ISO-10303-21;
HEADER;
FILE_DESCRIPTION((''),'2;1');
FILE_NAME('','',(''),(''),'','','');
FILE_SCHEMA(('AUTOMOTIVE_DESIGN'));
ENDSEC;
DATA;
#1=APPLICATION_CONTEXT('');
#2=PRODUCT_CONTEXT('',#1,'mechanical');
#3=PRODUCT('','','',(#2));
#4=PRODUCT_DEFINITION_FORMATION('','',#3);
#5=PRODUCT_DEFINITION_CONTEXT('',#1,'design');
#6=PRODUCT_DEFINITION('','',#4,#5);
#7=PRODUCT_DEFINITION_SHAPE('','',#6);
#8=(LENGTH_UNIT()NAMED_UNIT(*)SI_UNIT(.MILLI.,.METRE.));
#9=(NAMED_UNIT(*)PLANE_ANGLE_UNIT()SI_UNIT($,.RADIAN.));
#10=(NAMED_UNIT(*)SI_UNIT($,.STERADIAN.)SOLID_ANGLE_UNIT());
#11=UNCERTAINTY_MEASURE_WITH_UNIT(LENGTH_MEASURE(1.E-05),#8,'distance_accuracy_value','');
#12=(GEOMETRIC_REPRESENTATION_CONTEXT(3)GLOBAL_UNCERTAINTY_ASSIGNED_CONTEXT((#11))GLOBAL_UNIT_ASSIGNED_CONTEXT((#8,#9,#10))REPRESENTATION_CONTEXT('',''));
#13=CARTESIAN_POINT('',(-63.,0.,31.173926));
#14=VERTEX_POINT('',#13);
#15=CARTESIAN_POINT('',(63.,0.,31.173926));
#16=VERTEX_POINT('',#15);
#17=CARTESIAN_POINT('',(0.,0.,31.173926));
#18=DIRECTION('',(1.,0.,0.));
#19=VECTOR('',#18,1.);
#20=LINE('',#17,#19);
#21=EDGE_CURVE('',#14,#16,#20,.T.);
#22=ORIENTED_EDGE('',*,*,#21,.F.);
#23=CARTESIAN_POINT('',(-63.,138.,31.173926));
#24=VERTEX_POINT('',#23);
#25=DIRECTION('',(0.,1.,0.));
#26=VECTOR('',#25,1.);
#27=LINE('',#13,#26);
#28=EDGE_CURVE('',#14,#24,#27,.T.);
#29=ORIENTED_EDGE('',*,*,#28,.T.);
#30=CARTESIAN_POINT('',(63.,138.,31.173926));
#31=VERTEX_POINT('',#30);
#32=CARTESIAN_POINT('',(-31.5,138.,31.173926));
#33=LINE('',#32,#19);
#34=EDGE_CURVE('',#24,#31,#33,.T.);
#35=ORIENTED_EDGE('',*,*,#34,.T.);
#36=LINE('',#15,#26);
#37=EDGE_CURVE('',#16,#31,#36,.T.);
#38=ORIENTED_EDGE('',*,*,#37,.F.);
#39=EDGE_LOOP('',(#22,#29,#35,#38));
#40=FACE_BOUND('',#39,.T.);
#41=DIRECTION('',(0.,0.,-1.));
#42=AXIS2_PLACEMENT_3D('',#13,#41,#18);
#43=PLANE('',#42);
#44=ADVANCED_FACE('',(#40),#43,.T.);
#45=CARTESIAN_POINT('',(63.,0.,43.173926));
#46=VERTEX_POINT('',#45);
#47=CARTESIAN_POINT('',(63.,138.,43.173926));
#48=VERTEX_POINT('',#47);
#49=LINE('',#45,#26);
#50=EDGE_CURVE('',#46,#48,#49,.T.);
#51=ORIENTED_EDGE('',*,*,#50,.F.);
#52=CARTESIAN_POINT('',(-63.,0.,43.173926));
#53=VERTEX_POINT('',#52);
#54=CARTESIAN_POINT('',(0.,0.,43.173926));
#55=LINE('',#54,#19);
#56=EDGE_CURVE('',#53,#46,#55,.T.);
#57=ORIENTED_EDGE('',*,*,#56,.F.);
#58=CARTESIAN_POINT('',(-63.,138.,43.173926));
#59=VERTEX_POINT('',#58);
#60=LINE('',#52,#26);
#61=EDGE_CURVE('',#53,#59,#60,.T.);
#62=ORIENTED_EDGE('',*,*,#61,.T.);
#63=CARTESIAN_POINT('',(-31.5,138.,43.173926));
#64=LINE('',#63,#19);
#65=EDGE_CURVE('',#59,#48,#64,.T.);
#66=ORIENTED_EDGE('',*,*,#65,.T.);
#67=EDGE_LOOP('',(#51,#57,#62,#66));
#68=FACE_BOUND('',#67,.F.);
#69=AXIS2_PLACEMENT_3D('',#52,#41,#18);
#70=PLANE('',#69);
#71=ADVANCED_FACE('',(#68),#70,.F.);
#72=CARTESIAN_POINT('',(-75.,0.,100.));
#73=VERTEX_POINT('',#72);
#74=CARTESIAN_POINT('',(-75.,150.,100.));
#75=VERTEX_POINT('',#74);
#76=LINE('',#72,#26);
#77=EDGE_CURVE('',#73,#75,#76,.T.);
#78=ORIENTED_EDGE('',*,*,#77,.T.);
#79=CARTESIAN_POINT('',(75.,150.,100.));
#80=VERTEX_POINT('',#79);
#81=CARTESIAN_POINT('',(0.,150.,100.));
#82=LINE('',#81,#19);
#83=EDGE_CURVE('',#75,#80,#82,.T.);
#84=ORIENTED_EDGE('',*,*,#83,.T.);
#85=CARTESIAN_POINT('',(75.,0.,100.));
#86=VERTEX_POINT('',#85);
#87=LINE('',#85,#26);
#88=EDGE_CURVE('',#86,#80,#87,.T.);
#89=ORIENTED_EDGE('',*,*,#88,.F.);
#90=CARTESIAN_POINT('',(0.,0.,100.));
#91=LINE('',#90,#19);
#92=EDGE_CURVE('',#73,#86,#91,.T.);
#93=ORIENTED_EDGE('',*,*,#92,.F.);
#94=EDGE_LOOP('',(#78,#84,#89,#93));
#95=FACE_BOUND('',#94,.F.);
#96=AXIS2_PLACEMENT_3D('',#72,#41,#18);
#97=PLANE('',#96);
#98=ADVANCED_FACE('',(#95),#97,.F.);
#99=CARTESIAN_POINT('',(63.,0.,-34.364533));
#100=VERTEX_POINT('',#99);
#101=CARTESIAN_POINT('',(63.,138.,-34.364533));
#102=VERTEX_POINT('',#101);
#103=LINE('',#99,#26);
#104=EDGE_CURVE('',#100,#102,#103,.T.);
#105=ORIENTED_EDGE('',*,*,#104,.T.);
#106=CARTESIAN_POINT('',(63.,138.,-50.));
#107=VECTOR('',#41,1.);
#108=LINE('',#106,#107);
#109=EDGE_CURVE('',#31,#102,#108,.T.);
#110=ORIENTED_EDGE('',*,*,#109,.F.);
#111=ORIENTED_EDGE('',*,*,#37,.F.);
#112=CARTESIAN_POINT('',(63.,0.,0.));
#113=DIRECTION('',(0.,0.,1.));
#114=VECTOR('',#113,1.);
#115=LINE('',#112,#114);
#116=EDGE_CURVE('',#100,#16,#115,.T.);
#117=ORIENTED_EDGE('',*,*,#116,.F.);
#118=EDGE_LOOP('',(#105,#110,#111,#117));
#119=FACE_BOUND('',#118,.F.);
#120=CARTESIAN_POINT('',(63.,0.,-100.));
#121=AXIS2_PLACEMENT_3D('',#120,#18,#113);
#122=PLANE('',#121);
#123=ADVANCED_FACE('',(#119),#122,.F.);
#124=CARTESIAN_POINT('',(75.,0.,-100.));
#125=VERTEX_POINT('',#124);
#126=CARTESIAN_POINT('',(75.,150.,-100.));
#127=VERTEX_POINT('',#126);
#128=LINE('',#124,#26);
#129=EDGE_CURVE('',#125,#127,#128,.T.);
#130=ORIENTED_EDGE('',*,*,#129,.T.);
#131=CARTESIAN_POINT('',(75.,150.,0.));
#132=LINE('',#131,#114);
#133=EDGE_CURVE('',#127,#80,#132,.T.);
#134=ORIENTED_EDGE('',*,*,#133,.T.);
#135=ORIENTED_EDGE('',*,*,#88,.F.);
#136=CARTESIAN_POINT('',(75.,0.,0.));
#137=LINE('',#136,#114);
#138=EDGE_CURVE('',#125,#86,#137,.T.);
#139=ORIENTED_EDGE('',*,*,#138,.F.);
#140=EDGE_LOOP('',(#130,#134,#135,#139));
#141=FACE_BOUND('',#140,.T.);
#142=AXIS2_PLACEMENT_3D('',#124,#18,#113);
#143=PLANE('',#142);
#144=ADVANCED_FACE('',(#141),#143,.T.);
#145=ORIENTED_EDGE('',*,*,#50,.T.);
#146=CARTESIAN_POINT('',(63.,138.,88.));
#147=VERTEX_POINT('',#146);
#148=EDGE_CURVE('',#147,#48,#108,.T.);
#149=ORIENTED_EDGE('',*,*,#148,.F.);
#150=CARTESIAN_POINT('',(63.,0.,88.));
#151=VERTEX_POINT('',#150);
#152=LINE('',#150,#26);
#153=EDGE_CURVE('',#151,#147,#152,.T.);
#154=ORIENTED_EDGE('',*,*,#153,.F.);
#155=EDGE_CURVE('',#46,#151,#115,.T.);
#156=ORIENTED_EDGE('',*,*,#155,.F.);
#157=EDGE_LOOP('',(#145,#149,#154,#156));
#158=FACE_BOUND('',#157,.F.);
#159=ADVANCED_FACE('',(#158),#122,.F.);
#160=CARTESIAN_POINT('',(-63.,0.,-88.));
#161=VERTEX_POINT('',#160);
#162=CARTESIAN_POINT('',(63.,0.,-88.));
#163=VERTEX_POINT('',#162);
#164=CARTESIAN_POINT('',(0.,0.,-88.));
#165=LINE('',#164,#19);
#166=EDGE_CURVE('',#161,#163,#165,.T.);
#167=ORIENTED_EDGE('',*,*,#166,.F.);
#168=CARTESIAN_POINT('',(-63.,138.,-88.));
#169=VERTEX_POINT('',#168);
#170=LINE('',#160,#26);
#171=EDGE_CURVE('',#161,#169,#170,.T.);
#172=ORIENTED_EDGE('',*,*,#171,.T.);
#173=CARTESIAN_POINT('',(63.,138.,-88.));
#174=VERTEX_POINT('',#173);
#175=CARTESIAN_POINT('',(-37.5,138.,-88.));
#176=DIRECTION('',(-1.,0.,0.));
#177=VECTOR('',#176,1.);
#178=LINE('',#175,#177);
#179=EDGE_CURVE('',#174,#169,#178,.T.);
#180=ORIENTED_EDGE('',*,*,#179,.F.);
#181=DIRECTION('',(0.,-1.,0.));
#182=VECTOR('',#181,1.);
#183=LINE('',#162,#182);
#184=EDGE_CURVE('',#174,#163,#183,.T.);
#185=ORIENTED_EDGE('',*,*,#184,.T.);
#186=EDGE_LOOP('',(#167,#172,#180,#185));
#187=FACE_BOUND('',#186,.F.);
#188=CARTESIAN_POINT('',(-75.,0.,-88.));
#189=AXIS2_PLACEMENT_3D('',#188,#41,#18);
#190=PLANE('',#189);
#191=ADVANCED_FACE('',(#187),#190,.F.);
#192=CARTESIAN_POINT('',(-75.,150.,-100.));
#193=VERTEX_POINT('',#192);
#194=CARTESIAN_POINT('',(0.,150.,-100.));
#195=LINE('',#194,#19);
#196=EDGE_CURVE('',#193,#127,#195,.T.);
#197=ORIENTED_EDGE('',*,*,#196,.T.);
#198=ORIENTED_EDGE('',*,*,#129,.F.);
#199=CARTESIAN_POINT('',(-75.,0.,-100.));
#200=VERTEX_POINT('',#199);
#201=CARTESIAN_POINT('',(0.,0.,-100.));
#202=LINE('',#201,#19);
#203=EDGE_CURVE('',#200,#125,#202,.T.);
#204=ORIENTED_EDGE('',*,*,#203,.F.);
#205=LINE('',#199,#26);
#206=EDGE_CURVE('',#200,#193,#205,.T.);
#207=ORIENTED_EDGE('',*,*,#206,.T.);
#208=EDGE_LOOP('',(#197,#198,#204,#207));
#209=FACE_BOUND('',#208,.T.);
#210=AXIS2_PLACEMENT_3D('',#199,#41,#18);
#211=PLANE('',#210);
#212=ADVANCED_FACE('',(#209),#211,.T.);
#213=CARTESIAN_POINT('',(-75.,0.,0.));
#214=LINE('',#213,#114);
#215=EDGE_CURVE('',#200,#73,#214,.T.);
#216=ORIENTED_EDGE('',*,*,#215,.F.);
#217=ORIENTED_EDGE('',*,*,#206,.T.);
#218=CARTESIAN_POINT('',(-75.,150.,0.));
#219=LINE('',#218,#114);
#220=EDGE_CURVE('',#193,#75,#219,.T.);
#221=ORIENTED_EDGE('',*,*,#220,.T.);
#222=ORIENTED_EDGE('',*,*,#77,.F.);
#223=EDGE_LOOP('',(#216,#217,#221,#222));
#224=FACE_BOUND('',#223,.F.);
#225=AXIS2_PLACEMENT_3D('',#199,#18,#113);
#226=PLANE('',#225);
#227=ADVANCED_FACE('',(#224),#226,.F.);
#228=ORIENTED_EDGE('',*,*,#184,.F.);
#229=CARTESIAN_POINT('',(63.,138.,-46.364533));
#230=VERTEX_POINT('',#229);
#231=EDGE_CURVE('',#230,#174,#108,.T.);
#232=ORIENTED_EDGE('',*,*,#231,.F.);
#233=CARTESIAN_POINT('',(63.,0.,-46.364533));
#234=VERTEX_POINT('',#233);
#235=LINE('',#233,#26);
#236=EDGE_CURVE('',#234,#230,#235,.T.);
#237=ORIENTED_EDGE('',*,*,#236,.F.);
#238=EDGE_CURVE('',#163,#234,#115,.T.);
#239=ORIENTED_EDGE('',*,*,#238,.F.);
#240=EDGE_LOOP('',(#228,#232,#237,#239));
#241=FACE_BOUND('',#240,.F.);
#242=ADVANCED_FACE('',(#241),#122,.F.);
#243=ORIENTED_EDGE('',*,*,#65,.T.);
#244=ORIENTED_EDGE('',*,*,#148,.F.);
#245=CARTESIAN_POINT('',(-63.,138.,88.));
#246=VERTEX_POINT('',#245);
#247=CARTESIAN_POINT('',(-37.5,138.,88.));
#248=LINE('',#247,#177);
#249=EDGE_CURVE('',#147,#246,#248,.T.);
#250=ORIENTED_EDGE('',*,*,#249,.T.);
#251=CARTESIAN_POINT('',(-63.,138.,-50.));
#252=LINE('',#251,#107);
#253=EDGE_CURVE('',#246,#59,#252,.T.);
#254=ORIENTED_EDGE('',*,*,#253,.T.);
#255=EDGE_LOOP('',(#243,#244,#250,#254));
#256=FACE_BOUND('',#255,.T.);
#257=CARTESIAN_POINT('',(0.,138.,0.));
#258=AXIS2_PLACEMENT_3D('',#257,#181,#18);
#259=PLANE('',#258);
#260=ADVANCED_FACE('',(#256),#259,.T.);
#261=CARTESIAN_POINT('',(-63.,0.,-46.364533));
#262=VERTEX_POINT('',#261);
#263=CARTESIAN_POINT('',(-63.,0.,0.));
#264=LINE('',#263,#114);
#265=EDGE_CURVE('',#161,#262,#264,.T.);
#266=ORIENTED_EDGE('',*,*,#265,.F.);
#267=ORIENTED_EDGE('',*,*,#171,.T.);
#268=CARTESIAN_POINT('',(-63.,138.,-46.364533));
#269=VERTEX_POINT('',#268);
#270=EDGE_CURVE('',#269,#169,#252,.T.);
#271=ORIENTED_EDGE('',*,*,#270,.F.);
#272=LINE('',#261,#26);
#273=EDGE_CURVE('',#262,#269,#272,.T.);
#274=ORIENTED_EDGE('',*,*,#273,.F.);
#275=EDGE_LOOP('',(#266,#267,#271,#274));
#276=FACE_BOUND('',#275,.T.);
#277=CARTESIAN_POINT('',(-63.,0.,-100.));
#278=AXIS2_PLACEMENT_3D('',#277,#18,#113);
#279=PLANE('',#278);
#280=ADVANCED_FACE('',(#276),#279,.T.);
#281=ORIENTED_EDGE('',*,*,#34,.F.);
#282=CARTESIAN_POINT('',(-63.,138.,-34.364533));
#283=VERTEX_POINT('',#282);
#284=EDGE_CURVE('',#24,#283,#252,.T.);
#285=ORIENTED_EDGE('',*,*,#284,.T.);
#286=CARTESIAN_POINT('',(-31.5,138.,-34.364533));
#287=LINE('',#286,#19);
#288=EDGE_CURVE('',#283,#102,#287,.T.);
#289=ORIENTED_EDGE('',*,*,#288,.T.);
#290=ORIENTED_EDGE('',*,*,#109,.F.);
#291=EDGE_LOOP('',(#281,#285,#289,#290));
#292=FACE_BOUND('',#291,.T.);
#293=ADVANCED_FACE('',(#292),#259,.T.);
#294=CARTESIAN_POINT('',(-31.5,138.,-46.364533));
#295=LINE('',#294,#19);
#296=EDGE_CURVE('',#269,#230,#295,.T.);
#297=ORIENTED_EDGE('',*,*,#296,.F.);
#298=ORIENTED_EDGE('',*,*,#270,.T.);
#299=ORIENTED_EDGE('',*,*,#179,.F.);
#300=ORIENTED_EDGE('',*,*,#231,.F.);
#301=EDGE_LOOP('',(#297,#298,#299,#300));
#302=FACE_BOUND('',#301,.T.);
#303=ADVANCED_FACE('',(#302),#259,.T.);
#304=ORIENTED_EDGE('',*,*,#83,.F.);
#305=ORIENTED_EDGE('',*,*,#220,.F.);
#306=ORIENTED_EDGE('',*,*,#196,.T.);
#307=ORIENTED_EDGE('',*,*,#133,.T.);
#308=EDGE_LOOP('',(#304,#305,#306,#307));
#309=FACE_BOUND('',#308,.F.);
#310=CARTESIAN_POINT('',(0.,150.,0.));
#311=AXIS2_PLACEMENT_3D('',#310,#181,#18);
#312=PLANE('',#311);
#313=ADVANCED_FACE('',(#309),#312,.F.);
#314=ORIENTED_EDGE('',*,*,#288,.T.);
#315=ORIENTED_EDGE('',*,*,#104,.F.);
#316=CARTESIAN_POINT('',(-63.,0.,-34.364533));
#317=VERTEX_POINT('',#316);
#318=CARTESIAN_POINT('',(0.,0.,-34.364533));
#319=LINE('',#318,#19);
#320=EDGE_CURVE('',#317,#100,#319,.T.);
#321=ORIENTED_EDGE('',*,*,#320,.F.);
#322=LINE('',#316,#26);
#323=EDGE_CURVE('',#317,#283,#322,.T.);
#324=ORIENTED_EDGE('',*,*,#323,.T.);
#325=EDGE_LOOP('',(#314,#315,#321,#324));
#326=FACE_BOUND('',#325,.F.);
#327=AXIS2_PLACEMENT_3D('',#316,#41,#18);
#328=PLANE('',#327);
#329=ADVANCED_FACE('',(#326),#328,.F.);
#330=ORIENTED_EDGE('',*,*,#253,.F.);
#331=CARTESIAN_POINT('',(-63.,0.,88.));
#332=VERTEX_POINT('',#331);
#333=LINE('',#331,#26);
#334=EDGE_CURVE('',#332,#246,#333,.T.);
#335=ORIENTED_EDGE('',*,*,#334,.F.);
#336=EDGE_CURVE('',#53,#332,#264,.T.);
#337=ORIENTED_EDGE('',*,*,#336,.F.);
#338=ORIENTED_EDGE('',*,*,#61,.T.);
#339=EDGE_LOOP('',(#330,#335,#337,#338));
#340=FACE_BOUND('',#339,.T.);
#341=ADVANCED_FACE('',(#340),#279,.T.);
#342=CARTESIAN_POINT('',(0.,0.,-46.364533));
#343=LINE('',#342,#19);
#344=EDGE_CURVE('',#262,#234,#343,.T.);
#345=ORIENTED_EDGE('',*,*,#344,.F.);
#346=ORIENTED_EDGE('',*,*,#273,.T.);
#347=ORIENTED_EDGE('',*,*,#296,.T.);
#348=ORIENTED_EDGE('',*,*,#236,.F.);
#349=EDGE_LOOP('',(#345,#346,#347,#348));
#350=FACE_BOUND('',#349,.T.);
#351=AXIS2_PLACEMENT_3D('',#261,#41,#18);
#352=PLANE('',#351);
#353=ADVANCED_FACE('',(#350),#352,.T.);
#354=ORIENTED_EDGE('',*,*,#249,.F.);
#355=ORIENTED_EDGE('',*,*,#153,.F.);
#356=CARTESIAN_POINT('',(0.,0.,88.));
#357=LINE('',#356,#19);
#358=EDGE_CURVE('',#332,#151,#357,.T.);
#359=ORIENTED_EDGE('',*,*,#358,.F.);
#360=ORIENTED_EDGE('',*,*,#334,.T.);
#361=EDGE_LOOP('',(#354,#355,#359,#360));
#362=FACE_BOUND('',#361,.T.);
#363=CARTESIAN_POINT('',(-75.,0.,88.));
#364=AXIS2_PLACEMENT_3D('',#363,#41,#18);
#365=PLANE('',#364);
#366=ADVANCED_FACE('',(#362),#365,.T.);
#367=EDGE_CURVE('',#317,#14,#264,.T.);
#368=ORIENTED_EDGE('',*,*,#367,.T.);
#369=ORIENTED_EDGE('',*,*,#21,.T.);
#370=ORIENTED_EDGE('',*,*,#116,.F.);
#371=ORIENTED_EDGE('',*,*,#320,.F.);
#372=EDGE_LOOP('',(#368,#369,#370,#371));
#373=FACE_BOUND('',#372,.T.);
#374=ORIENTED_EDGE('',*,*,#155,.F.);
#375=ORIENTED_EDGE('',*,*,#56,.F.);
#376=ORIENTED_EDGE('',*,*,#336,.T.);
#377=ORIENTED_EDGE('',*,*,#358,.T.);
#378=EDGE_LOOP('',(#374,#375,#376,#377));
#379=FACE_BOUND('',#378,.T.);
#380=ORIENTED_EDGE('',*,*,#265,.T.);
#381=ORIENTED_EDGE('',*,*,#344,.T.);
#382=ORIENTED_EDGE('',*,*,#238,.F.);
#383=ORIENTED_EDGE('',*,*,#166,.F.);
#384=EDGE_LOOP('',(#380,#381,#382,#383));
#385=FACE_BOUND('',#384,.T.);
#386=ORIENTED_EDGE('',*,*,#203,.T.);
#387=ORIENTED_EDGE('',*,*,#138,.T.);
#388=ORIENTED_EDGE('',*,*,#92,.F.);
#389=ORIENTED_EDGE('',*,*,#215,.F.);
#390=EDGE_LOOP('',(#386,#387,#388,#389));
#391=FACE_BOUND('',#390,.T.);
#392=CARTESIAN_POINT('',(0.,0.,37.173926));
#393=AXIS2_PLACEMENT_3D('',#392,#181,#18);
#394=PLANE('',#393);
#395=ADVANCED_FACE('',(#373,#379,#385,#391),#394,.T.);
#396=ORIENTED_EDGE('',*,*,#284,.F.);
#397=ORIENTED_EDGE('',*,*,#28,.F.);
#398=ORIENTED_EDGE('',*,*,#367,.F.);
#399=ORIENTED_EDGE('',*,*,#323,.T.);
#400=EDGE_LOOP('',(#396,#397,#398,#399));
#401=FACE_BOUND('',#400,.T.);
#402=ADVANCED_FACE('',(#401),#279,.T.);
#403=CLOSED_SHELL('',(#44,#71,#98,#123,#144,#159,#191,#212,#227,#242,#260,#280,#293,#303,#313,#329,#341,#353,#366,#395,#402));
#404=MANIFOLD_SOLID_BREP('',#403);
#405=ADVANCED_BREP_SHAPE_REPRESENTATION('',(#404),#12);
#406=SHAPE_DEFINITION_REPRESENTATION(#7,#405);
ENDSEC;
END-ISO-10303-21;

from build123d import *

# Parameters (mm, degrees)
F0_W     = 150
F0_H     = 200
F1_DEPTH = 150
F2_T     = -12
F3_W     = 126
F3_H     = 12
F4_DEPTH = 140


with BuildPart() as f1:
    # F0 (on Front) → F1 (new body)
    with BuildSketch(Plane.XZ):
        Rectangle(F0_W, F0_H)
    extrude(amount=-F1_DEPTH)

    # F2
    f2_openings = [f1.faces().sort_by_distance(p)[0] for p in [
        (0, 0, 0),
    ]]
    offset(amount=F2_T, openings=f2_openings)

    # F3 (on face) → F4 (join)
    with BuildSketch(Plane.XZ):
        with Locations((0, 37.173926213)):
            Rectangle(F3_W, F3_H)
        with Locations((0, -40.3645330455)):
            Rectangle(F3_W, F3_H)
    extrude(amount=-F4_DEPTH)


solid = f1.part
